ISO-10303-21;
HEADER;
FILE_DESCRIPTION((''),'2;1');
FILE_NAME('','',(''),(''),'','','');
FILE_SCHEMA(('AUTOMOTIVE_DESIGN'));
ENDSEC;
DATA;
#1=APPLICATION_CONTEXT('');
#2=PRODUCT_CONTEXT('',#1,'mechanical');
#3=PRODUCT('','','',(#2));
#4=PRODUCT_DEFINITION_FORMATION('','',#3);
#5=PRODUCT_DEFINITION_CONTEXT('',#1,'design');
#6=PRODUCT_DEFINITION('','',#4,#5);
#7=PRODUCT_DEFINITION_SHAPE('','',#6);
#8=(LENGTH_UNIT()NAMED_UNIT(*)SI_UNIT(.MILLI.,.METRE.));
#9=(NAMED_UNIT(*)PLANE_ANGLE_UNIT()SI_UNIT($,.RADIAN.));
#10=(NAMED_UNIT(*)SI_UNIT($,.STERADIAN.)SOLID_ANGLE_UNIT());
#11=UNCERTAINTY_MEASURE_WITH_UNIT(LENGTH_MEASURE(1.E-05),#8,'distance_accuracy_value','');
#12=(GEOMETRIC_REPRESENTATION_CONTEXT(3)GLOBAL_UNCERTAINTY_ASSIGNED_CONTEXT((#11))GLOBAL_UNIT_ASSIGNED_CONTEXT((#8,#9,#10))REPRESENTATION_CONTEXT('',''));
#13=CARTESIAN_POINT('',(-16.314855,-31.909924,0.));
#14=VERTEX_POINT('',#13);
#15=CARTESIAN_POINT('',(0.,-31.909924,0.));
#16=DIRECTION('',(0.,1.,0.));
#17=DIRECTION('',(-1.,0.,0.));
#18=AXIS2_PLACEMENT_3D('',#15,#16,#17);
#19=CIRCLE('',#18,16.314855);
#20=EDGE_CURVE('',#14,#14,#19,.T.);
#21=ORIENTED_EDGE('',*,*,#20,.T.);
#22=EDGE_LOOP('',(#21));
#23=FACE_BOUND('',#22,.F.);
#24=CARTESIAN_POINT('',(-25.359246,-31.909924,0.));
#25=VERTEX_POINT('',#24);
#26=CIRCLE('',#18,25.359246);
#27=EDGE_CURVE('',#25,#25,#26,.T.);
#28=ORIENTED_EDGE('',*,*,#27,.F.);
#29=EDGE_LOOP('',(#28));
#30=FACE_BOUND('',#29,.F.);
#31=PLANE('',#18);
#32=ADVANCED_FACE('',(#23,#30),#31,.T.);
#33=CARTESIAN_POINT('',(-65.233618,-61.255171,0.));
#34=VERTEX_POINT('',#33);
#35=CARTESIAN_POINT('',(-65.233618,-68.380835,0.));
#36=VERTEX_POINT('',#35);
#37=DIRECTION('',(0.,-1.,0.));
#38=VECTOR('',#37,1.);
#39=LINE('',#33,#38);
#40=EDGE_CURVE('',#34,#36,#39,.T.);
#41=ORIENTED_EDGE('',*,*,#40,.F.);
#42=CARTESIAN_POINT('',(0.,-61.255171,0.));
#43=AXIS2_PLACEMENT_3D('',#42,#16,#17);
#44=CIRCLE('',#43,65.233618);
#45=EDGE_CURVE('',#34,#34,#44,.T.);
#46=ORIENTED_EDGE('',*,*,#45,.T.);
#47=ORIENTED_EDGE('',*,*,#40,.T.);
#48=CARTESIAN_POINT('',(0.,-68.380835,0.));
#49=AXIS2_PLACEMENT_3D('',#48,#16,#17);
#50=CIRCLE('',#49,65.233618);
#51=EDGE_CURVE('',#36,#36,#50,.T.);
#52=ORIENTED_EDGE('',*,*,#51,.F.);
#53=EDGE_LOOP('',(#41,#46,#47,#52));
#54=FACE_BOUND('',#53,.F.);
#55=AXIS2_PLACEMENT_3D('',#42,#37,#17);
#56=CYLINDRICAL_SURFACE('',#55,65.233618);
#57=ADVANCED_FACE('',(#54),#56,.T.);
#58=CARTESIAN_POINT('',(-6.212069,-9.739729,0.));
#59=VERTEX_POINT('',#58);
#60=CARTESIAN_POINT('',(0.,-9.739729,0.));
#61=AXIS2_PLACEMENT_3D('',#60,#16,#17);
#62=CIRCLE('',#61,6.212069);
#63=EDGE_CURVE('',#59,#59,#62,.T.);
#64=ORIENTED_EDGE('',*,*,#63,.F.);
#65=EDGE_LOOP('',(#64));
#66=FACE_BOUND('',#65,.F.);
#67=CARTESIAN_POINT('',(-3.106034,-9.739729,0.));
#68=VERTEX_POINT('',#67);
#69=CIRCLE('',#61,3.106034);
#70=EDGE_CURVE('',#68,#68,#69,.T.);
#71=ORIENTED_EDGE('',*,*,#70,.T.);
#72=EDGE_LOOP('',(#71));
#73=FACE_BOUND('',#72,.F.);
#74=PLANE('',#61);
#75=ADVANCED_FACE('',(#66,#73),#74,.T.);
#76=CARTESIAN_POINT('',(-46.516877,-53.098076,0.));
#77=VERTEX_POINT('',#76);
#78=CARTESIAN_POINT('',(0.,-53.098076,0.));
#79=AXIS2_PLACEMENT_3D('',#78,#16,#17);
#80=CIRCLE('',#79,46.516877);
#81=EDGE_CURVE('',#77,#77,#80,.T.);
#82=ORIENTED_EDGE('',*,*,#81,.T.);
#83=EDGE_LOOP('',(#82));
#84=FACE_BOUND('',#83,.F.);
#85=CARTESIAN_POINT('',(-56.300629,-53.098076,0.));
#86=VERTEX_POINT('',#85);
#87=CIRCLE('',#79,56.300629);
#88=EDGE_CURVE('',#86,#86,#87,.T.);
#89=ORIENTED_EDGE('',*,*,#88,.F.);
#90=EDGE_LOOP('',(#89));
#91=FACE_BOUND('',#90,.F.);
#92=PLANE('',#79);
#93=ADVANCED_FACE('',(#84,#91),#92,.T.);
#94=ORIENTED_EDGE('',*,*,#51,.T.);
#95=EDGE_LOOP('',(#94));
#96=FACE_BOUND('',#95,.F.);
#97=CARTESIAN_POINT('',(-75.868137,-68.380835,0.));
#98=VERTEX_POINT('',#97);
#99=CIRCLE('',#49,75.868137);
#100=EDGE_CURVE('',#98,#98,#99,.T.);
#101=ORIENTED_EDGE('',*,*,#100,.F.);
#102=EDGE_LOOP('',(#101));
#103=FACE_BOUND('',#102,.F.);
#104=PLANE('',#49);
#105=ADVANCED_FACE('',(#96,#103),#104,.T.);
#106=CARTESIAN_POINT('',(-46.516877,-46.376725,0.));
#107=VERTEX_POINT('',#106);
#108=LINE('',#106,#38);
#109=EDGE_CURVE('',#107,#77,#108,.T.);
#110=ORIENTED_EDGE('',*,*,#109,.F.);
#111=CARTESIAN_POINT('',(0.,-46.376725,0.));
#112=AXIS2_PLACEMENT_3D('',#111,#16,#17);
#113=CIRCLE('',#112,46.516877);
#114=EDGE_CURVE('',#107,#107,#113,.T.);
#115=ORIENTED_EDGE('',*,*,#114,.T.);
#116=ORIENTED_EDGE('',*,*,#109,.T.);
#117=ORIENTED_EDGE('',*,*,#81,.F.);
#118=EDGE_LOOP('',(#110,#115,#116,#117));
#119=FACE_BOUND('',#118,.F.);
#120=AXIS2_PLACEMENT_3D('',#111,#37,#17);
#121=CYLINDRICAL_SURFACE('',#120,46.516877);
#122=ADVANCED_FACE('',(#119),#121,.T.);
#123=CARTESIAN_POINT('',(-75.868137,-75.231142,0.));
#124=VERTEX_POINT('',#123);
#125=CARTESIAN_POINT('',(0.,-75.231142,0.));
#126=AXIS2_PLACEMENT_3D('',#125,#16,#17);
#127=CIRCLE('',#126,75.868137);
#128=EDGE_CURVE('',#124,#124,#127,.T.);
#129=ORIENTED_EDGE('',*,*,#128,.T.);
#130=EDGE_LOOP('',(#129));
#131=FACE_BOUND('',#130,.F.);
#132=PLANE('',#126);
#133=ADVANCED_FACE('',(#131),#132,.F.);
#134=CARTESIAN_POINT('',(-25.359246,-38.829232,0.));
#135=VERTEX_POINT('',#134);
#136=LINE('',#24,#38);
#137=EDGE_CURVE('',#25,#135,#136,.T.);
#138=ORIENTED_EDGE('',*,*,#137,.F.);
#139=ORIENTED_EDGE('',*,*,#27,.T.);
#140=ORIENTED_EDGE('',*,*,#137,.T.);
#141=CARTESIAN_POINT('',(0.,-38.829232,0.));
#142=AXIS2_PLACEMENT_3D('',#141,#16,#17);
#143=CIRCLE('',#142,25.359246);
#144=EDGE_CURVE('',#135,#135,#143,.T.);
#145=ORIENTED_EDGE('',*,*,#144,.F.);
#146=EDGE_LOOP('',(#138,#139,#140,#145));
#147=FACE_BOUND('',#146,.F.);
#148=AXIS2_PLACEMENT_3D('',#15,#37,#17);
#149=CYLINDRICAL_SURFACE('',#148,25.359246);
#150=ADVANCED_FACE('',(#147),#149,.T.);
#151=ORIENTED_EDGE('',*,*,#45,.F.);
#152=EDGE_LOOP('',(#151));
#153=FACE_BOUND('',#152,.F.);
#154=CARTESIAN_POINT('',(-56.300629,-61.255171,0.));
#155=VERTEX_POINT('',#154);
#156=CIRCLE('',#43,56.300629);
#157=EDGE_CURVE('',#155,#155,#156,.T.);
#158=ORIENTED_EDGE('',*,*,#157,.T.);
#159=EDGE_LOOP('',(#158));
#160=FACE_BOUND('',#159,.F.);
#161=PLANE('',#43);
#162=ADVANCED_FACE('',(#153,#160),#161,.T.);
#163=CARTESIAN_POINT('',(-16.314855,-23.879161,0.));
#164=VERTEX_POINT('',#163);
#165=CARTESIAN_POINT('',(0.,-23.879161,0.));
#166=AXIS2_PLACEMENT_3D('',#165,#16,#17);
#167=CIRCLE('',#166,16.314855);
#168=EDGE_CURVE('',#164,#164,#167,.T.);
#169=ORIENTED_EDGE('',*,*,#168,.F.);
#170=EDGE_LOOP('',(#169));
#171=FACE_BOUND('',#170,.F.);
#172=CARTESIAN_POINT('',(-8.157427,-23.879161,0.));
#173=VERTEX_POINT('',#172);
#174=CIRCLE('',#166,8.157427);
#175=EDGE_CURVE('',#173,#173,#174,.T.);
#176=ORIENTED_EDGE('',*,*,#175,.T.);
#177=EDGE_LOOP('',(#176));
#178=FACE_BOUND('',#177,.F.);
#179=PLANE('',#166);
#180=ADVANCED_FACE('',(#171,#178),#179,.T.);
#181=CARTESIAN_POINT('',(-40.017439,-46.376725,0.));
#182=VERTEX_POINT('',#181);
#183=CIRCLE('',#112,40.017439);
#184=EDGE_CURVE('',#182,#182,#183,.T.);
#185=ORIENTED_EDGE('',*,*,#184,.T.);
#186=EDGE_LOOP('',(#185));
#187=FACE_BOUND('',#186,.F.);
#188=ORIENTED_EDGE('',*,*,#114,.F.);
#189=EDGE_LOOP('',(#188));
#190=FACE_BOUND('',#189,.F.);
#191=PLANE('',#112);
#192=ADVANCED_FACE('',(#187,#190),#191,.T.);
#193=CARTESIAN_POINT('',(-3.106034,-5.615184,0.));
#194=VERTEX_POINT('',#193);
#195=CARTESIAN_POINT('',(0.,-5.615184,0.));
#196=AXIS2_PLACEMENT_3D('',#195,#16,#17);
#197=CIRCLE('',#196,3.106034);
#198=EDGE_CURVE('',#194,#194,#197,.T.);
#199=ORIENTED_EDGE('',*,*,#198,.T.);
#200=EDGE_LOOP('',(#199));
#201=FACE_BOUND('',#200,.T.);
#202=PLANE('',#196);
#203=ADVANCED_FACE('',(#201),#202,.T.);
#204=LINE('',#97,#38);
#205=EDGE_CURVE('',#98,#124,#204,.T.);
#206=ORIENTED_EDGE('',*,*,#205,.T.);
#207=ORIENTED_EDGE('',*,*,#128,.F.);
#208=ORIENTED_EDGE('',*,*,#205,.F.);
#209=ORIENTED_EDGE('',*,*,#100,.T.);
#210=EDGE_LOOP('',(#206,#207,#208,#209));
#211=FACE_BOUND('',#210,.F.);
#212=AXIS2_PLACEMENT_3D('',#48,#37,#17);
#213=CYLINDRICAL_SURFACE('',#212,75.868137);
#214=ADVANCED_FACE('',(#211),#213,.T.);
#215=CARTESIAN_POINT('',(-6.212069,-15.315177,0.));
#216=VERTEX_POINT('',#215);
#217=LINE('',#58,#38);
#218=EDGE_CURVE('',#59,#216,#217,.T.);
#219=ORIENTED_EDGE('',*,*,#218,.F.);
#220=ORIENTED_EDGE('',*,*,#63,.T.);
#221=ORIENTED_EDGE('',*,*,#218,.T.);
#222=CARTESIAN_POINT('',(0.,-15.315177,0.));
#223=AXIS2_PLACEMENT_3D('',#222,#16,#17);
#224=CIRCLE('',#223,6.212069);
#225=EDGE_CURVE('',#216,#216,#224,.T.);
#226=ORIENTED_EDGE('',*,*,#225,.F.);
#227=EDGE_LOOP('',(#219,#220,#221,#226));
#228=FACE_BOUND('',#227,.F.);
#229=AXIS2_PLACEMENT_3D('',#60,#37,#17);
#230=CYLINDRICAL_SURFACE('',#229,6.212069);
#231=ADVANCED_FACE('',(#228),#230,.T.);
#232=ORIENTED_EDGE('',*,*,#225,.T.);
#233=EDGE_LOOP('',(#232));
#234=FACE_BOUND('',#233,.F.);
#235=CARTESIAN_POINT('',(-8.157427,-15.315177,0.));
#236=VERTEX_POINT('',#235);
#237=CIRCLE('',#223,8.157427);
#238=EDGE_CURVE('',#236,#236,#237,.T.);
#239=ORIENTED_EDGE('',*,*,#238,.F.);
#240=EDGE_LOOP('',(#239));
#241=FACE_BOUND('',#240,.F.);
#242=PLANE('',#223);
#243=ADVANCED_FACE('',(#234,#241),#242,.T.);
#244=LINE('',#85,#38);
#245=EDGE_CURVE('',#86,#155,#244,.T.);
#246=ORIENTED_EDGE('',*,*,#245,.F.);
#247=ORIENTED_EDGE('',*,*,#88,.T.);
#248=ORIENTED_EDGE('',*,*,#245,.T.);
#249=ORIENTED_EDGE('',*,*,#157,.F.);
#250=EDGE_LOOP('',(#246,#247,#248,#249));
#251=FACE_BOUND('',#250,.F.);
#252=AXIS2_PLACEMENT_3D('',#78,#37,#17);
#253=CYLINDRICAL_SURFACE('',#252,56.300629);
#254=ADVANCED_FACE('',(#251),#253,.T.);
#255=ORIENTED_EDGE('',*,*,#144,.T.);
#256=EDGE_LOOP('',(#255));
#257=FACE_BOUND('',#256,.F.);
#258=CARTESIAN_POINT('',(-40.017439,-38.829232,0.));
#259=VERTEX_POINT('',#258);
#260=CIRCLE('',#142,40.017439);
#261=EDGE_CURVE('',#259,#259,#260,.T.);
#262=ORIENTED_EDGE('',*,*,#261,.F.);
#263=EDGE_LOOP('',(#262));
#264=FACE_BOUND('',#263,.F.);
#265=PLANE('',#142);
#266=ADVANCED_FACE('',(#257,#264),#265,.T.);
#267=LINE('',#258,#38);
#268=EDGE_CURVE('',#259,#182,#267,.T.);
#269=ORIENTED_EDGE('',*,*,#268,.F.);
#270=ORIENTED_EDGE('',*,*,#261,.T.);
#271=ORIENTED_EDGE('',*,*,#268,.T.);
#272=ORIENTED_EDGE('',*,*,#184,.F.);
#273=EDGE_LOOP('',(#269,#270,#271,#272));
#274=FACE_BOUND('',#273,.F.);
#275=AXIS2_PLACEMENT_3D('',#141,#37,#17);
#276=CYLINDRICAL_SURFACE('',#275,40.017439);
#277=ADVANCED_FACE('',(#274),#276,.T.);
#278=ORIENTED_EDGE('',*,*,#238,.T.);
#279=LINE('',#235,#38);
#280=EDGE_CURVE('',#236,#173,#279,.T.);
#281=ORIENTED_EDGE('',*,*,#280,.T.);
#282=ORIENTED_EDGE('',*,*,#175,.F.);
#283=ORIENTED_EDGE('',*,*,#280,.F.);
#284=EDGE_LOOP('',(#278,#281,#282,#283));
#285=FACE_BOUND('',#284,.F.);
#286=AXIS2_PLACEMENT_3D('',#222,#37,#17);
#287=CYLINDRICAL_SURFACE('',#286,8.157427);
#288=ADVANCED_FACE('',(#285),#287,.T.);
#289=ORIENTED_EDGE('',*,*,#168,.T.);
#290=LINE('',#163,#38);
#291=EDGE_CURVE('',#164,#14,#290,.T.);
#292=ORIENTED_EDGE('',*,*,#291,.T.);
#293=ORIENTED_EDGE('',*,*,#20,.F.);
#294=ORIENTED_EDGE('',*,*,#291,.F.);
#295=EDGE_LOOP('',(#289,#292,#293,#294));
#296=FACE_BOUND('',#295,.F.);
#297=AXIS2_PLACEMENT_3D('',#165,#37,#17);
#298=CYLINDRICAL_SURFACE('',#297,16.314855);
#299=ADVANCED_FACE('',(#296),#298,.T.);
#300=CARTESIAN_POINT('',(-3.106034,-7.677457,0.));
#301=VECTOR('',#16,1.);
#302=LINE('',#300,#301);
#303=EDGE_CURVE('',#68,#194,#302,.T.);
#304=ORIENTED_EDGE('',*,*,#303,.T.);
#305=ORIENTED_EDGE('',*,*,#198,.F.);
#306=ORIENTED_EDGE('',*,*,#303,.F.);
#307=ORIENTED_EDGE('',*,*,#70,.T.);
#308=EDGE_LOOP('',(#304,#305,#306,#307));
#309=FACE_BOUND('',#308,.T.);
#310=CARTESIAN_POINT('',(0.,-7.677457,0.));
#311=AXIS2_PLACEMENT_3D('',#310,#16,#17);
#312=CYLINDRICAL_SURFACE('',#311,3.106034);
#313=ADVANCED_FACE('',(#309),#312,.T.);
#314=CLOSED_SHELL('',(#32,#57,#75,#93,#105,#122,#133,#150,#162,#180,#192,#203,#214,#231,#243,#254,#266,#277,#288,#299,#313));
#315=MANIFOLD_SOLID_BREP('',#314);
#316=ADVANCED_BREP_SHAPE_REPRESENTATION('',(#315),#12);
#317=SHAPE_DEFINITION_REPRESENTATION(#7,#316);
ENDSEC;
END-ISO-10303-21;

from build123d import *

# Parameters (mm, degrees)
F0_W = 3.1060343608
F0_H = 4.1245449741


with BuildPart() as f1:
    # F0 (on Top) → F1 (revolve)
    with BuildSketch(Plane.XY):
        Polygon((-75.8681371808, -68.3808345637), (-75.8681371808, -75.2311423421), (0, -75.2311423421), (0, -68.3808345637), (-65.233618021, -68.3808345637), align=None)
        Polygon((-65.233618021, -68.3808345637), (0, -68.3808345637), (0, -61.2551711489), (-56.3006289303, -61.2551711489), (-65.233618021, -61.2551711489), align=None)
        Polygon((-56.3006289303, -61.2551711489), (0, -61.2551711489), (0, -53.0980758273), (-46.5168766677, -53.0980758273), (-56.3006289303, -53.0980758273), align=None)
        Polygon((-46.5168766677, -53.0980758273), (0, -53.0980758273), (0, -46.3767246723), (-40.0174387131, -46.3767246723), (-46.5168766677, -46.3767246723), align=None)
        Polygon((-40.0174387131, -46.3767246723), (0, -46.3767246723), (0, -38.8292317048), (-25.3592459775, -38.8292317048), (-40.0174387131, -38.8292317048), align=None)
        Polygon((-25.3592459775, -38.8292317048), (0, -38.8292317048), (0, -31.9099235999), (-16.3148548454, -31.9099235999), (-25.3592459775, -31.9099235999), align=None)
        Polygon((-16.3148548454, -31.9099235999), (0, -31.9099235999), (0, -23.8791607417), (-8.1574274227, -23.8791607417), (-16.3148548454, -23.8791607417), align=None)
        Polygon((-8.1574274227, -23.8791607417), (0, -23.8791607417), (0, -15.3151774863), (-6.2120687217, -15.3151774863), (-8.1574274227, -15.3151774863), align=None)
        with Locations((-1.5530171804, -7.6774568423)):
            Rectangle(F0_W, F0_H)
        Polygon((-6.2120687217, -15.3151774863), (0, -15.3151774863), (0, -9.7397293293), (-3.1060343608, -9.7397293293), (-6.2120687217, -9.7397293293), align=None)
    revolve(axis=Axis((0, -71.8059884529, 0), (0, 1, 0)))


solid = f1.part
